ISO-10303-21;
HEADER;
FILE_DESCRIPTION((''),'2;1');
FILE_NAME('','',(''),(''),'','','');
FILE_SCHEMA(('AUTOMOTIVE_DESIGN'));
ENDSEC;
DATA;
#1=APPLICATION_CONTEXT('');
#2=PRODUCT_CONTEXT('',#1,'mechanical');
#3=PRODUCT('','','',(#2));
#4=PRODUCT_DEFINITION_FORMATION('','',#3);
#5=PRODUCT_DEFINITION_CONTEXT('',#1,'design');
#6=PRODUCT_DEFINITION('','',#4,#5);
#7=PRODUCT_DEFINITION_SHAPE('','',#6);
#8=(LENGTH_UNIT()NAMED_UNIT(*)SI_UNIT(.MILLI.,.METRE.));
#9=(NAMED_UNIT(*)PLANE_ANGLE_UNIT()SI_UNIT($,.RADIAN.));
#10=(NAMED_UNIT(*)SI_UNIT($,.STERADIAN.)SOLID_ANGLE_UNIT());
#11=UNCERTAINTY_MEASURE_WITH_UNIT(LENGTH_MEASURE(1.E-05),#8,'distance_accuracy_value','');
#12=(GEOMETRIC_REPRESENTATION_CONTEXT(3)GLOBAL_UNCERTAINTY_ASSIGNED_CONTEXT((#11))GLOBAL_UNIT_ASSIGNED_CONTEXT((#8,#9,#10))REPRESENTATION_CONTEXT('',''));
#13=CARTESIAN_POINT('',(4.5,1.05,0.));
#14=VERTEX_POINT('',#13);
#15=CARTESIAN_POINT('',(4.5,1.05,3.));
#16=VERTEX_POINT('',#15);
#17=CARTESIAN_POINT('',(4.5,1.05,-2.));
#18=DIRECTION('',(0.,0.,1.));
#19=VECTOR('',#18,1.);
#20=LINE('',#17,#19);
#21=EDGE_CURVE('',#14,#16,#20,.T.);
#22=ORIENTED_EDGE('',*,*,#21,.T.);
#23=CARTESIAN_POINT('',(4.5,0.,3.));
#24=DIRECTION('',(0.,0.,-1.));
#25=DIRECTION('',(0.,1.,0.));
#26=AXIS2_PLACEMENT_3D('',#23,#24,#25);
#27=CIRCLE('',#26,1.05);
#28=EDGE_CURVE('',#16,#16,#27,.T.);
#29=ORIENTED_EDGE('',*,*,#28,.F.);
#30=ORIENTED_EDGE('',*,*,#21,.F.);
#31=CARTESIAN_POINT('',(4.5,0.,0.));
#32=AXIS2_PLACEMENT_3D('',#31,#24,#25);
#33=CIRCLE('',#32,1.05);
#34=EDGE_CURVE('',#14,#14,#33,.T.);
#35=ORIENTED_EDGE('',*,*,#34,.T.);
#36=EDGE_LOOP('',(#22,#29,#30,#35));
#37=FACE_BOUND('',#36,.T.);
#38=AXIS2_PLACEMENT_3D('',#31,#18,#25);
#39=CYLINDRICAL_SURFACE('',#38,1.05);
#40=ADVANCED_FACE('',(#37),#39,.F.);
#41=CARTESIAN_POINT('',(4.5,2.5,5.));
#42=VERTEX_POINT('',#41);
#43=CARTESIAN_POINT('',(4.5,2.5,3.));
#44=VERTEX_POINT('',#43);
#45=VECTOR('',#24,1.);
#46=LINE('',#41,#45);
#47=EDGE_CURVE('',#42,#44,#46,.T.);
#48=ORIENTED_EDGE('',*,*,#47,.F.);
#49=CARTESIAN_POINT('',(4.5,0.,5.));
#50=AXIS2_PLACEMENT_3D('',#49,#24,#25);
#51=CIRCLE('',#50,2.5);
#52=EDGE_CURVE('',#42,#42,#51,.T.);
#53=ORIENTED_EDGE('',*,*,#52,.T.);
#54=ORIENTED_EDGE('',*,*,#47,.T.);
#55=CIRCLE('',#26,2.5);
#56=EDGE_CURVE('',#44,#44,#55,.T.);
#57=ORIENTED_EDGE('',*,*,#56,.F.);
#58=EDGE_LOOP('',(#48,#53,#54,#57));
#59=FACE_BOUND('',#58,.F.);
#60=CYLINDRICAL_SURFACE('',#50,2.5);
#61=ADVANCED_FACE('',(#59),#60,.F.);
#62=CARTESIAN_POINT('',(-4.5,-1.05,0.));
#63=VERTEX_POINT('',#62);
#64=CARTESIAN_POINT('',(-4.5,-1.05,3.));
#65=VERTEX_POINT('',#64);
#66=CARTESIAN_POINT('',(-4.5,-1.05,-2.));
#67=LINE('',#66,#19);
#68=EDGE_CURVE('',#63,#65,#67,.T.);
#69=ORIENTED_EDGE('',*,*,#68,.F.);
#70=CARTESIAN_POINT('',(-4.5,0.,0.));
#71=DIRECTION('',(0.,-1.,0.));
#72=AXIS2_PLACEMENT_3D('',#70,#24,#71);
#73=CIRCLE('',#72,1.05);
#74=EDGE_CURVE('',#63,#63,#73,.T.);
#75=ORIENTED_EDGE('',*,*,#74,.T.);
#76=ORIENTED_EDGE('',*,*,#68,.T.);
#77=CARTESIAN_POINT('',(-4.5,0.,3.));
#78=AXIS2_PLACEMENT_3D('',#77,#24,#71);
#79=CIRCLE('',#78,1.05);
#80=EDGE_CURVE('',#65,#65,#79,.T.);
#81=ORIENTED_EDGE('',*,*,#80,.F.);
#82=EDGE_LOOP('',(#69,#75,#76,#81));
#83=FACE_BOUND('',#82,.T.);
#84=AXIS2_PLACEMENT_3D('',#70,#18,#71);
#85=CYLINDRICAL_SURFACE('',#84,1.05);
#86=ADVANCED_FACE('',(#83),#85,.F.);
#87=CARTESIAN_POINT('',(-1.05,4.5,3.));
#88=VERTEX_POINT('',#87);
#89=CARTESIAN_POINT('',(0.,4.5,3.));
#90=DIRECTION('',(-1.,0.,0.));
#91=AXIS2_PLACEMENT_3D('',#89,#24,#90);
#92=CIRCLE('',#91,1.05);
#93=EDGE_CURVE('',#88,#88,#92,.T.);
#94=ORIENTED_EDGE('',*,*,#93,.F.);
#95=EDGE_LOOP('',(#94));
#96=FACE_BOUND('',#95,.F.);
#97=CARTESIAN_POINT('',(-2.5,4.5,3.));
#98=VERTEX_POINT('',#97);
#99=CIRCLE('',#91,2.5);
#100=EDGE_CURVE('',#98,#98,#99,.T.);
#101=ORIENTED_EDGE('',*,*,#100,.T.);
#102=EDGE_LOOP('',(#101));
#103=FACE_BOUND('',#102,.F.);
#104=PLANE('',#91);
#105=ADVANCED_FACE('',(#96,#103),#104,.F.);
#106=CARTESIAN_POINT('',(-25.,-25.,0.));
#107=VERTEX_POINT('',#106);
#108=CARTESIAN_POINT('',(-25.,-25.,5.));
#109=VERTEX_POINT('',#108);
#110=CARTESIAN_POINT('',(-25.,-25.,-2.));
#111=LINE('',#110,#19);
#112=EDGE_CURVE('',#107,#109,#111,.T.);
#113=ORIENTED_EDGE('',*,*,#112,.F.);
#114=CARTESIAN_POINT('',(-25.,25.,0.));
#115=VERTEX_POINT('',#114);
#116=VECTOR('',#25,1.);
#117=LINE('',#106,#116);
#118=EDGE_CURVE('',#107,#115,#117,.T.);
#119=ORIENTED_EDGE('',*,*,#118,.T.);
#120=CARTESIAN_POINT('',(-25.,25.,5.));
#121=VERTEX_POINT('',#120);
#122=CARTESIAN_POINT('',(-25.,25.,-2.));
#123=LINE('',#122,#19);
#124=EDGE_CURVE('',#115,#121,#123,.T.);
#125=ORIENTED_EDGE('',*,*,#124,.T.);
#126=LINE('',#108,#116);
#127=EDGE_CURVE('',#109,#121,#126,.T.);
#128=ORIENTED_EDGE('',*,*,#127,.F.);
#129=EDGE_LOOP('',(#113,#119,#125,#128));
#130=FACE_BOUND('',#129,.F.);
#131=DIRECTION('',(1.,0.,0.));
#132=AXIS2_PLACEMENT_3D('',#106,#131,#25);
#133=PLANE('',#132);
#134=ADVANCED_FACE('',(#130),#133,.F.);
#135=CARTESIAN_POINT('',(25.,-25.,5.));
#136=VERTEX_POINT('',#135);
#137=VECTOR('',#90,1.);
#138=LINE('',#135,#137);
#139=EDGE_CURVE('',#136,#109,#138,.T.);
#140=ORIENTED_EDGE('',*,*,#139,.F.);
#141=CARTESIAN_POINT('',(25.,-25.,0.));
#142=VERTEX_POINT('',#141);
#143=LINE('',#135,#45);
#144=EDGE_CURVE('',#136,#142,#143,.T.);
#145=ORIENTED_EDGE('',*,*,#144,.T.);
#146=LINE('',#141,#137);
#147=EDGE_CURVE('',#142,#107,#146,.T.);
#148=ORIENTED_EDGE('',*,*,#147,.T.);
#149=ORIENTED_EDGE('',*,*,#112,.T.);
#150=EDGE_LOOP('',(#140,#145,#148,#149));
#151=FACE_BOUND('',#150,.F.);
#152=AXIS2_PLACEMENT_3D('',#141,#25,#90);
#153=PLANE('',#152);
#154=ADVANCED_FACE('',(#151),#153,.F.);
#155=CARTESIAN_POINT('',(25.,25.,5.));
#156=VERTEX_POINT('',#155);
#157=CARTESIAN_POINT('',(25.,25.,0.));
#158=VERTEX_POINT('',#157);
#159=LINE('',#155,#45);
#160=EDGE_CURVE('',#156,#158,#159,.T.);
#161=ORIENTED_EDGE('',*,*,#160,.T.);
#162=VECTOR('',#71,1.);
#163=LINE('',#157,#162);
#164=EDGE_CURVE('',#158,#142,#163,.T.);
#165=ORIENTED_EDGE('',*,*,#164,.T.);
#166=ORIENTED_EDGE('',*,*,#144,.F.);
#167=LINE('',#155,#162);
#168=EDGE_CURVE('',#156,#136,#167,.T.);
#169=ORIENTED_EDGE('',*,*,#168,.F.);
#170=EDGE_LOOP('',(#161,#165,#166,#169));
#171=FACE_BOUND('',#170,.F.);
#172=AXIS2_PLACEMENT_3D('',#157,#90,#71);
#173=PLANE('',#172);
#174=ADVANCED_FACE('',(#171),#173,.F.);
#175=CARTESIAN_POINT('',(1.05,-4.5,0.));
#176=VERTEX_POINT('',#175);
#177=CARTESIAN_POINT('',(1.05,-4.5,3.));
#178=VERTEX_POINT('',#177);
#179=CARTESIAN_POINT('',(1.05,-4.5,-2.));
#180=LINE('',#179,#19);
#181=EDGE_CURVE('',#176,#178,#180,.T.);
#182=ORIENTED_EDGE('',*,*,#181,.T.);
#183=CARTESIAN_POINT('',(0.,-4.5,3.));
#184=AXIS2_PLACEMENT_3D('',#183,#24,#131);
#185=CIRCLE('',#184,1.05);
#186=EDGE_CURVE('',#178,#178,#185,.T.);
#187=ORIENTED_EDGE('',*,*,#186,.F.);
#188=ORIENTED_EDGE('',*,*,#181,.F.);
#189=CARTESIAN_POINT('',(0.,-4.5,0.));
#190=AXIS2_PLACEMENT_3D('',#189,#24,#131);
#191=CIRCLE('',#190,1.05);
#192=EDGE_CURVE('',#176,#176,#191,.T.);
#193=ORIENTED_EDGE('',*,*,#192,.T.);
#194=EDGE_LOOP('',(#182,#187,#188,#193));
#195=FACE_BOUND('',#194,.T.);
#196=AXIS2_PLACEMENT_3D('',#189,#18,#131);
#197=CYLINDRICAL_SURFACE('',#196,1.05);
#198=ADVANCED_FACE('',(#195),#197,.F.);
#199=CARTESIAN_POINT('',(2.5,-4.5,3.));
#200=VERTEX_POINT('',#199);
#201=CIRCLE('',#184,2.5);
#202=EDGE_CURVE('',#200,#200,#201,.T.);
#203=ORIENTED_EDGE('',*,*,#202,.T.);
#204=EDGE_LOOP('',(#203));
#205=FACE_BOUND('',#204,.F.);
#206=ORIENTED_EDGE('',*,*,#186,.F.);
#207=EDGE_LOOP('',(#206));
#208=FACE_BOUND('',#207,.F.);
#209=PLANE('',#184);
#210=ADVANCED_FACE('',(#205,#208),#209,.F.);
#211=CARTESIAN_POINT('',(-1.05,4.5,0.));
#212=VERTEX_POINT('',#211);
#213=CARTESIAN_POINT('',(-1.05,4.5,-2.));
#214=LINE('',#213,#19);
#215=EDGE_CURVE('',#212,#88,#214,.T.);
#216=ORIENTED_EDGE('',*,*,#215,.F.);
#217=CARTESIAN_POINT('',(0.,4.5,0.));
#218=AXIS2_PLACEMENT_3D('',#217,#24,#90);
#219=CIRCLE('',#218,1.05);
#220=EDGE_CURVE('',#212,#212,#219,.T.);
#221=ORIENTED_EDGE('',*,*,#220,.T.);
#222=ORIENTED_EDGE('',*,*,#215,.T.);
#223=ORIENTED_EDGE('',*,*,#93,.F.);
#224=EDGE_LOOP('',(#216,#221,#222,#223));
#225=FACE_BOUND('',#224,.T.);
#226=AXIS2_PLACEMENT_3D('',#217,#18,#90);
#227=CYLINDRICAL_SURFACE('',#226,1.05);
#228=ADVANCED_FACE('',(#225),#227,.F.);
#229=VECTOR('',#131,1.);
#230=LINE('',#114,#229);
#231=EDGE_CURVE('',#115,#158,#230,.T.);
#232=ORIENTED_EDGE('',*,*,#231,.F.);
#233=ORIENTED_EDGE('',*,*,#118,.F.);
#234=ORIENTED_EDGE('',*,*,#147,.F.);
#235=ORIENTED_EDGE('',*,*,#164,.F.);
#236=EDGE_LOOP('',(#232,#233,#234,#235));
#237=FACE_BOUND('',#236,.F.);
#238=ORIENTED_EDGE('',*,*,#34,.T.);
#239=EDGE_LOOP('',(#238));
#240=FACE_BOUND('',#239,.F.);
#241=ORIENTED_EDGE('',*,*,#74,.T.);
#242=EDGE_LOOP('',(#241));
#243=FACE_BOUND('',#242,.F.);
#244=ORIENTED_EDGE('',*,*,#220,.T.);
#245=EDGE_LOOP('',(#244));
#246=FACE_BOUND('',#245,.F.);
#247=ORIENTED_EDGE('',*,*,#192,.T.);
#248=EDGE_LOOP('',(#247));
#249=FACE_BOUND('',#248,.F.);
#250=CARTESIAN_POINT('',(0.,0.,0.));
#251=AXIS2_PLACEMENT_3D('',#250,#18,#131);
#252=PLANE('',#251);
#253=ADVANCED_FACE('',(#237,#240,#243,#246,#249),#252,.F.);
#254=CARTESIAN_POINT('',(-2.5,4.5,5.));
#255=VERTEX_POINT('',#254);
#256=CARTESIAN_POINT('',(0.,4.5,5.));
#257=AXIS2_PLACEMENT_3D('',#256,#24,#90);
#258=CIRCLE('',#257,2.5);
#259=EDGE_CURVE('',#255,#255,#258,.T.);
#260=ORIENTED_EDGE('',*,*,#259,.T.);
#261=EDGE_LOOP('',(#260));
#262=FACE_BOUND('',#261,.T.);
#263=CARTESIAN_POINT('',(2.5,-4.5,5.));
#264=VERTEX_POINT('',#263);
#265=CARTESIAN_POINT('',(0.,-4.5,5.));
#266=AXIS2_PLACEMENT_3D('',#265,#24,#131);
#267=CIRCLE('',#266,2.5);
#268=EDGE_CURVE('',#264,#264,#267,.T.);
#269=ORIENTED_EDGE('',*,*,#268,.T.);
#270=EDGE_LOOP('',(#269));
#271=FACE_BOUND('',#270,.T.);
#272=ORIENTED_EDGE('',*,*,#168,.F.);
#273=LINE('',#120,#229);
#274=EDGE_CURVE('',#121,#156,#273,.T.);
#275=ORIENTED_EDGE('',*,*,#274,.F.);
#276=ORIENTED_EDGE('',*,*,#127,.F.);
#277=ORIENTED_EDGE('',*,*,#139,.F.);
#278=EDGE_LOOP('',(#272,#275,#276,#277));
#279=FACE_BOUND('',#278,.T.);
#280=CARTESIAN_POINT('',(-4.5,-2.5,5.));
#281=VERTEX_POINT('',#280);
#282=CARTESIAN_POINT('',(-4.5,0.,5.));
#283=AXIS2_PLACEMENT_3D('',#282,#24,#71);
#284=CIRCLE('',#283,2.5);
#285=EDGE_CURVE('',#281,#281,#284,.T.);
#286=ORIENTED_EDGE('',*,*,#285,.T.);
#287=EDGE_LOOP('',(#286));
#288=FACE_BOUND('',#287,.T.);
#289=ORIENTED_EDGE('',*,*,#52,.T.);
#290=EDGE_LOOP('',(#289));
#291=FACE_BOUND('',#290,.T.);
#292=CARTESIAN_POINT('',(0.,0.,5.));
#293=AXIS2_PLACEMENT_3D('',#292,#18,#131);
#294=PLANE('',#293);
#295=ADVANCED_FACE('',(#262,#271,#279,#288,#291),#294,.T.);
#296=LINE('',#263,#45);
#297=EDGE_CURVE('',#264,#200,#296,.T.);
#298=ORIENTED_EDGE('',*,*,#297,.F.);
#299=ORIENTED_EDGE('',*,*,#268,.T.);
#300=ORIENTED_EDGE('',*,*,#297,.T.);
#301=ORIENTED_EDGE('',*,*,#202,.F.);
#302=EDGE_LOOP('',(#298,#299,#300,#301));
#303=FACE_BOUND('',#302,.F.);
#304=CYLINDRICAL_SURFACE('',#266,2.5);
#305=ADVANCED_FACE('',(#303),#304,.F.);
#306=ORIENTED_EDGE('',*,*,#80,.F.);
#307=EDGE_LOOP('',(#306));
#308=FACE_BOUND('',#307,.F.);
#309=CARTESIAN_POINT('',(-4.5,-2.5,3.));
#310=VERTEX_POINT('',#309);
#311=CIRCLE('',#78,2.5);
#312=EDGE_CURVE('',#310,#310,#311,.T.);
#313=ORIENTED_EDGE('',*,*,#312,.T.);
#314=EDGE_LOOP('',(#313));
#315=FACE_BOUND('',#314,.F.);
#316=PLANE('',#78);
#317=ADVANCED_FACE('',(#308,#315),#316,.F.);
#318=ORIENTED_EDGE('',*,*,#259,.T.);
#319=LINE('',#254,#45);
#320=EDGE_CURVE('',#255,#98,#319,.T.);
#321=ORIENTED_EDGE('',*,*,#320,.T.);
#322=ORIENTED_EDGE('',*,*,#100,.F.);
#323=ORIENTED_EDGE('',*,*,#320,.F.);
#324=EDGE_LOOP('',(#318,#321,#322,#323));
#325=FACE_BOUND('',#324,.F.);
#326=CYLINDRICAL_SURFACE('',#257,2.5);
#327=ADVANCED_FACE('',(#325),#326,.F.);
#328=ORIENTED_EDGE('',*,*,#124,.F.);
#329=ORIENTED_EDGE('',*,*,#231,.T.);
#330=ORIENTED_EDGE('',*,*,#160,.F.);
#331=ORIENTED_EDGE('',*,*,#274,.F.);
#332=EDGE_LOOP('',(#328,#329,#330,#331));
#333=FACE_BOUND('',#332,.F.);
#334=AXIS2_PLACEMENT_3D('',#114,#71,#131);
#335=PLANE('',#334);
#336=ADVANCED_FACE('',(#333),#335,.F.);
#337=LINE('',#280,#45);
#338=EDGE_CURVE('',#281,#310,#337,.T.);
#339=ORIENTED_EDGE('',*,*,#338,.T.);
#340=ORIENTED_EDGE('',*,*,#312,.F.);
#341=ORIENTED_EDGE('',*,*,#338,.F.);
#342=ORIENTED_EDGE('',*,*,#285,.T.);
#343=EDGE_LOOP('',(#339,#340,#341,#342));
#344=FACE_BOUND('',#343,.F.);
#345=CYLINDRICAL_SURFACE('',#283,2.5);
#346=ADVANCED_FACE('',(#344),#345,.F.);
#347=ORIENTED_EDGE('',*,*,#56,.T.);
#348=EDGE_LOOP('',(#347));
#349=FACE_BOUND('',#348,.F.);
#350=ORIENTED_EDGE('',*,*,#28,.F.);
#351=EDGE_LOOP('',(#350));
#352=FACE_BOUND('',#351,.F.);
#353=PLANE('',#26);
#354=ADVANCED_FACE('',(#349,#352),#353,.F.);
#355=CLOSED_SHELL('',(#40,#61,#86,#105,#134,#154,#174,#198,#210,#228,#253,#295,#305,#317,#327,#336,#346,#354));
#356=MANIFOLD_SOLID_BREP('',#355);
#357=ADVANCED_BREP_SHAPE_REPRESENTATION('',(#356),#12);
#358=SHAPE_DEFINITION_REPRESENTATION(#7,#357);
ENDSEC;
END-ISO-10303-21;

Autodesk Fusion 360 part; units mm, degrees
sketch "Sketch1" plane through (0, 0, 0) normal (0, 0, 1) x (1, 0, 0)
  line L0 (-25, 25) -> (25, 25)
  line L1 (25, 25) -> (25, -25)
  line L2 (25, -25) -> (-25, -25)
  line L3 (-25, -25) -> (-25, 25)
extrude "Extrude1" add sketch "Sketch1" along normal blind 5
sketch "Sketch2" plane through (0, 0, 5) normal (0, 0, 1) x (-1, 0, 0)
  line L0 (25, 25) -> (-25, 25)
  line L1 (-25, 25) -> (-25, -25)
  line L2 (-25, -25) -> (25, -25)
  line L3 (25, -25) -> (25, 25)
  circle A0 centre (0, 0) radius 4.5
  line L4 (0.0733, -4.4994) -> (0.0733, 4.4994)
  line L5 (4.5, 0) -> (-4.5, 0)
  dimension "d3" = 9
hole "Hole1" at (-4.5, 0, 5) direction (0, 0, -1) diameter 2.1 depth 11 tip angle 118 counterbore diameter 5 counterbore depth 2
pattern_circular "C-Pattern1" count 4 over 360 about axis through (0, 0, 1.75) along (0, 0, 1) of "Hole1"
extrude "Extrude2" add 1 faces at (-18.5157, 0.0262, 0) along direction (0, 0, -1) blind 2
extrude "Extrude3" cut 1 faces at (-18.5157, 0.0262, -2) along direction (0, 0, 1) blind 2
